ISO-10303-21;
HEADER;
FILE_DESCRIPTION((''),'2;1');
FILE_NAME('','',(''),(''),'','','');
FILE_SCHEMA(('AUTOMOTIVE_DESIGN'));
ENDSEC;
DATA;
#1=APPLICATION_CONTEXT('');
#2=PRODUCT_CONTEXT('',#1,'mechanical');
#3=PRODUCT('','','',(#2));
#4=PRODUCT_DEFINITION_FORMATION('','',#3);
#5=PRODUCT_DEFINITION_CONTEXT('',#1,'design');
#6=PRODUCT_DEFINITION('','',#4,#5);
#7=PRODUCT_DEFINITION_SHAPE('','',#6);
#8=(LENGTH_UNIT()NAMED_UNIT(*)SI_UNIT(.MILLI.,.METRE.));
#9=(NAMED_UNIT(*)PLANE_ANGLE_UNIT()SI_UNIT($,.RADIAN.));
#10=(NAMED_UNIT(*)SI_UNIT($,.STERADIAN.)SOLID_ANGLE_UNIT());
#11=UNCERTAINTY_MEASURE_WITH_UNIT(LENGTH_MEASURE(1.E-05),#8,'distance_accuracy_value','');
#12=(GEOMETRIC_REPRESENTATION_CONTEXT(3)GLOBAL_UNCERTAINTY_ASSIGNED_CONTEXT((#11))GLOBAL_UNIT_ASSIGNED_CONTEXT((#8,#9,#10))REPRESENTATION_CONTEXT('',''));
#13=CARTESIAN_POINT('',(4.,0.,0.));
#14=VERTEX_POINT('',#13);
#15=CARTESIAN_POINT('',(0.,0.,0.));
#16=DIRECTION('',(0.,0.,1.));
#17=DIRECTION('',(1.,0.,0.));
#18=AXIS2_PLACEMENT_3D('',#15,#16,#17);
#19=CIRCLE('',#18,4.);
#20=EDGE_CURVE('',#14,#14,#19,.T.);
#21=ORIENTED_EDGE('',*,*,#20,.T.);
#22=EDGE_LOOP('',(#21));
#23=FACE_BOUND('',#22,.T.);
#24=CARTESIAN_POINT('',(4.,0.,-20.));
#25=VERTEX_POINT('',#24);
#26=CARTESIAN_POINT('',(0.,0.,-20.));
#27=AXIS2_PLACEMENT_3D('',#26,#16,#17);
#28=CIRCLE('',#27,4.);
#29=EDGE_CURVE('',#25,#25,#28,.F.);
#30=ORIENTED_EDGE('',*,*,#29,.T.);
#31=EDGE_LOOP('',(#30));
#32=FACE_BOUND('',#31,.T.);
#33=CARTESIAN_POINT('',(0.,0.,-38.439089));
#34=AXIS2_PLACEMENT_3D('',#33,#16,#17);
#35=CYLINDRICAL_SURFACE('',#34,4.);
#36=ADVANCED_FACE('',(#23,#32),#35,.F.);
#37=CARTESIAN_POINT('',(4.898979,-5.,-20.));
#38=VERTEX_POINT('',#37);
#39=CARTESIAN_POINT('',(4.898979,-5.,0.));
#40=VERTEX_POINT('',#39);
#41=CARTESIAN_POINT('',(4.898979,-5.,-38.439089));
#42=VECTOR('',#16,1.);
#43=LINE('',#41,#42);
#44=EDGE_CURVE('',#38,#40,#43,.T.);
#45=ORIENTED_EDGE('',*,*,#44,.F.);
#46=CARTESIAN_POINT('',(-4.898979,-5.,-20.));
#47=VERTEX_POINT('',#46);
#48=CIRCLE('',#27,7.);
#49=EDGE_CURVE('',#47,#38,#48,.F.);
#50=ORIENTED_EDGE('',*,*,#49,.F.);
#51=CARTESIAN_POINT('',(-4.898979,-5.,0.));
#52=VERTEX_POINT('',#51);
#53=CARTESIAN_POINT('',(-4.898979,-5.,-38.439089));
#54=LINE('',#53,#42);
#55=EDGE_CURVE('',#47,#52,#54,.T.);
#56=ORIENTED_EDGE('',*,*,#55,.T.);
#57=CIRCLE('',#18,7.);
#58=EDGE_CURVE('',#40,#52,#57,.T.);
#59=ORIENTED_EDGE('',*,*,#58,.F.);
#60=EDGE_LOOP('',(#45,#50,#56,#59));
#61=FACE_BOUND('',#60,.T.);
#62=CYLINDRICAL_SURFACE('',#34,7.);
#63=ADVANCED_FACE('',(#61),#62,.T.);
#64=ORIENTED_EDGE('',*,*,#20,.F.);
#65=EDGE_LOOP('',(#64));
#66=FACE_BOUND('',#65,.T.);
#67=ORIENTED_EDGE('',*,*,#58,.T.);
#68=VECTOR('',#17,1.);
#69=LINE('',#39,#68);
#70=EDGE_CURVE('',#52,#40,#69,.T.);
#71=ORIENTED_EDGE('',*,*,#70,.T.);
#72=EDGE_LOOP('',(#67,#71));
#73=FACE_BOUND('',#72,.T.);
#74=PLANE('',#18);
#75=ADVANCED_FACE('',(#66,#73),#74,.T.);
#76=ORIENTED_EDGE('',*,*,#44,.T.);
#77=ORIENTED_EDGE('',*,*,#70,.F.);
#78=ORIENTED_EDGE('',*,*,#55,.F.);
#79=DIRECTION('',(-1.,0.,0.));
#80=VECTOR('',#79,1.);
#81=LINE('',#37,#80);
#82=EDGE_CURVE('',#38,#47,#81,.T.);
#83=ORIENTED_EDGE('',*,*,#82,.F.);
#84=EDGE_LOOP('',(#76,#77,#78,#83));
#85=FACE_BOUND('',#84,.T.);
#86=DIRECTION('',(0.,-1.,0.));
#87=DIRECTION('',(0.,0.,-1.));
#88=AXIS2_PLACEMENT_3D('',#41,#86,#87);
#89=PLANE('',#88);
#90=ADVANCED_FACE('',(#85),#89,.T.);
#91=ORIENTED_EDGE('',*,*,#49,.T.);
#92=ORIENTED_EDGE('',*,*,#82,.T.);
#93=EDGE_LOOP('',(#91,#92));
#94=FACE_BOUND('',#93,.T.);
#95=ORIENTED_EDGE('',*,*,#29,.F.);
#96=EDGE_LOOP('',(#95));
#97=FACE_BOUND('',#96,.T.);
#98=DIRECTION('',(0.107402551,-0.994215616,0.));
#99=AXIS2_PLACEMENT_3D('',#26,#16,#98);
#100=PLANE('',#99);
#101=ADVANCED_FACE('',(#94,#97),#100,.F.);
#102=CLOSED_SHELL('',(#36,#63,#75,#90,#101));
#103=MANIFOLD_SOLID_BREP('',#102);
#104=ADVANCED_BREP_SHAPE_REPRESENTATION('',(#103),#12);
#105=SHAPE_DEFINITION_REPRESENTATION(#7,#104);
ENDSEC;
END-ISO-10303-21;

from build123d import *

# Parameters (mm, degrees)
SKETCH1_R           = 4
BOSS_EXTRUDE1_DEPTH = 20


with BuildPart() as part:
    # Sketch1 → Boss-Extrude1 (new body)
    with BuildSketch(Plane.XY):
        with BuildLine():
            Line((4.898979486, -5), (-4.898979486, -5))
            ThreePointArc((-4.898979486, -5), (0, 7), (4.898979486, -5))
        make_face()
        Circle(SKETCH1_R, mode=Mode.SUBTRACT)
    extrude(amount=-BOSS_EXTRUDE1_DEPTH)


solid = part.part
